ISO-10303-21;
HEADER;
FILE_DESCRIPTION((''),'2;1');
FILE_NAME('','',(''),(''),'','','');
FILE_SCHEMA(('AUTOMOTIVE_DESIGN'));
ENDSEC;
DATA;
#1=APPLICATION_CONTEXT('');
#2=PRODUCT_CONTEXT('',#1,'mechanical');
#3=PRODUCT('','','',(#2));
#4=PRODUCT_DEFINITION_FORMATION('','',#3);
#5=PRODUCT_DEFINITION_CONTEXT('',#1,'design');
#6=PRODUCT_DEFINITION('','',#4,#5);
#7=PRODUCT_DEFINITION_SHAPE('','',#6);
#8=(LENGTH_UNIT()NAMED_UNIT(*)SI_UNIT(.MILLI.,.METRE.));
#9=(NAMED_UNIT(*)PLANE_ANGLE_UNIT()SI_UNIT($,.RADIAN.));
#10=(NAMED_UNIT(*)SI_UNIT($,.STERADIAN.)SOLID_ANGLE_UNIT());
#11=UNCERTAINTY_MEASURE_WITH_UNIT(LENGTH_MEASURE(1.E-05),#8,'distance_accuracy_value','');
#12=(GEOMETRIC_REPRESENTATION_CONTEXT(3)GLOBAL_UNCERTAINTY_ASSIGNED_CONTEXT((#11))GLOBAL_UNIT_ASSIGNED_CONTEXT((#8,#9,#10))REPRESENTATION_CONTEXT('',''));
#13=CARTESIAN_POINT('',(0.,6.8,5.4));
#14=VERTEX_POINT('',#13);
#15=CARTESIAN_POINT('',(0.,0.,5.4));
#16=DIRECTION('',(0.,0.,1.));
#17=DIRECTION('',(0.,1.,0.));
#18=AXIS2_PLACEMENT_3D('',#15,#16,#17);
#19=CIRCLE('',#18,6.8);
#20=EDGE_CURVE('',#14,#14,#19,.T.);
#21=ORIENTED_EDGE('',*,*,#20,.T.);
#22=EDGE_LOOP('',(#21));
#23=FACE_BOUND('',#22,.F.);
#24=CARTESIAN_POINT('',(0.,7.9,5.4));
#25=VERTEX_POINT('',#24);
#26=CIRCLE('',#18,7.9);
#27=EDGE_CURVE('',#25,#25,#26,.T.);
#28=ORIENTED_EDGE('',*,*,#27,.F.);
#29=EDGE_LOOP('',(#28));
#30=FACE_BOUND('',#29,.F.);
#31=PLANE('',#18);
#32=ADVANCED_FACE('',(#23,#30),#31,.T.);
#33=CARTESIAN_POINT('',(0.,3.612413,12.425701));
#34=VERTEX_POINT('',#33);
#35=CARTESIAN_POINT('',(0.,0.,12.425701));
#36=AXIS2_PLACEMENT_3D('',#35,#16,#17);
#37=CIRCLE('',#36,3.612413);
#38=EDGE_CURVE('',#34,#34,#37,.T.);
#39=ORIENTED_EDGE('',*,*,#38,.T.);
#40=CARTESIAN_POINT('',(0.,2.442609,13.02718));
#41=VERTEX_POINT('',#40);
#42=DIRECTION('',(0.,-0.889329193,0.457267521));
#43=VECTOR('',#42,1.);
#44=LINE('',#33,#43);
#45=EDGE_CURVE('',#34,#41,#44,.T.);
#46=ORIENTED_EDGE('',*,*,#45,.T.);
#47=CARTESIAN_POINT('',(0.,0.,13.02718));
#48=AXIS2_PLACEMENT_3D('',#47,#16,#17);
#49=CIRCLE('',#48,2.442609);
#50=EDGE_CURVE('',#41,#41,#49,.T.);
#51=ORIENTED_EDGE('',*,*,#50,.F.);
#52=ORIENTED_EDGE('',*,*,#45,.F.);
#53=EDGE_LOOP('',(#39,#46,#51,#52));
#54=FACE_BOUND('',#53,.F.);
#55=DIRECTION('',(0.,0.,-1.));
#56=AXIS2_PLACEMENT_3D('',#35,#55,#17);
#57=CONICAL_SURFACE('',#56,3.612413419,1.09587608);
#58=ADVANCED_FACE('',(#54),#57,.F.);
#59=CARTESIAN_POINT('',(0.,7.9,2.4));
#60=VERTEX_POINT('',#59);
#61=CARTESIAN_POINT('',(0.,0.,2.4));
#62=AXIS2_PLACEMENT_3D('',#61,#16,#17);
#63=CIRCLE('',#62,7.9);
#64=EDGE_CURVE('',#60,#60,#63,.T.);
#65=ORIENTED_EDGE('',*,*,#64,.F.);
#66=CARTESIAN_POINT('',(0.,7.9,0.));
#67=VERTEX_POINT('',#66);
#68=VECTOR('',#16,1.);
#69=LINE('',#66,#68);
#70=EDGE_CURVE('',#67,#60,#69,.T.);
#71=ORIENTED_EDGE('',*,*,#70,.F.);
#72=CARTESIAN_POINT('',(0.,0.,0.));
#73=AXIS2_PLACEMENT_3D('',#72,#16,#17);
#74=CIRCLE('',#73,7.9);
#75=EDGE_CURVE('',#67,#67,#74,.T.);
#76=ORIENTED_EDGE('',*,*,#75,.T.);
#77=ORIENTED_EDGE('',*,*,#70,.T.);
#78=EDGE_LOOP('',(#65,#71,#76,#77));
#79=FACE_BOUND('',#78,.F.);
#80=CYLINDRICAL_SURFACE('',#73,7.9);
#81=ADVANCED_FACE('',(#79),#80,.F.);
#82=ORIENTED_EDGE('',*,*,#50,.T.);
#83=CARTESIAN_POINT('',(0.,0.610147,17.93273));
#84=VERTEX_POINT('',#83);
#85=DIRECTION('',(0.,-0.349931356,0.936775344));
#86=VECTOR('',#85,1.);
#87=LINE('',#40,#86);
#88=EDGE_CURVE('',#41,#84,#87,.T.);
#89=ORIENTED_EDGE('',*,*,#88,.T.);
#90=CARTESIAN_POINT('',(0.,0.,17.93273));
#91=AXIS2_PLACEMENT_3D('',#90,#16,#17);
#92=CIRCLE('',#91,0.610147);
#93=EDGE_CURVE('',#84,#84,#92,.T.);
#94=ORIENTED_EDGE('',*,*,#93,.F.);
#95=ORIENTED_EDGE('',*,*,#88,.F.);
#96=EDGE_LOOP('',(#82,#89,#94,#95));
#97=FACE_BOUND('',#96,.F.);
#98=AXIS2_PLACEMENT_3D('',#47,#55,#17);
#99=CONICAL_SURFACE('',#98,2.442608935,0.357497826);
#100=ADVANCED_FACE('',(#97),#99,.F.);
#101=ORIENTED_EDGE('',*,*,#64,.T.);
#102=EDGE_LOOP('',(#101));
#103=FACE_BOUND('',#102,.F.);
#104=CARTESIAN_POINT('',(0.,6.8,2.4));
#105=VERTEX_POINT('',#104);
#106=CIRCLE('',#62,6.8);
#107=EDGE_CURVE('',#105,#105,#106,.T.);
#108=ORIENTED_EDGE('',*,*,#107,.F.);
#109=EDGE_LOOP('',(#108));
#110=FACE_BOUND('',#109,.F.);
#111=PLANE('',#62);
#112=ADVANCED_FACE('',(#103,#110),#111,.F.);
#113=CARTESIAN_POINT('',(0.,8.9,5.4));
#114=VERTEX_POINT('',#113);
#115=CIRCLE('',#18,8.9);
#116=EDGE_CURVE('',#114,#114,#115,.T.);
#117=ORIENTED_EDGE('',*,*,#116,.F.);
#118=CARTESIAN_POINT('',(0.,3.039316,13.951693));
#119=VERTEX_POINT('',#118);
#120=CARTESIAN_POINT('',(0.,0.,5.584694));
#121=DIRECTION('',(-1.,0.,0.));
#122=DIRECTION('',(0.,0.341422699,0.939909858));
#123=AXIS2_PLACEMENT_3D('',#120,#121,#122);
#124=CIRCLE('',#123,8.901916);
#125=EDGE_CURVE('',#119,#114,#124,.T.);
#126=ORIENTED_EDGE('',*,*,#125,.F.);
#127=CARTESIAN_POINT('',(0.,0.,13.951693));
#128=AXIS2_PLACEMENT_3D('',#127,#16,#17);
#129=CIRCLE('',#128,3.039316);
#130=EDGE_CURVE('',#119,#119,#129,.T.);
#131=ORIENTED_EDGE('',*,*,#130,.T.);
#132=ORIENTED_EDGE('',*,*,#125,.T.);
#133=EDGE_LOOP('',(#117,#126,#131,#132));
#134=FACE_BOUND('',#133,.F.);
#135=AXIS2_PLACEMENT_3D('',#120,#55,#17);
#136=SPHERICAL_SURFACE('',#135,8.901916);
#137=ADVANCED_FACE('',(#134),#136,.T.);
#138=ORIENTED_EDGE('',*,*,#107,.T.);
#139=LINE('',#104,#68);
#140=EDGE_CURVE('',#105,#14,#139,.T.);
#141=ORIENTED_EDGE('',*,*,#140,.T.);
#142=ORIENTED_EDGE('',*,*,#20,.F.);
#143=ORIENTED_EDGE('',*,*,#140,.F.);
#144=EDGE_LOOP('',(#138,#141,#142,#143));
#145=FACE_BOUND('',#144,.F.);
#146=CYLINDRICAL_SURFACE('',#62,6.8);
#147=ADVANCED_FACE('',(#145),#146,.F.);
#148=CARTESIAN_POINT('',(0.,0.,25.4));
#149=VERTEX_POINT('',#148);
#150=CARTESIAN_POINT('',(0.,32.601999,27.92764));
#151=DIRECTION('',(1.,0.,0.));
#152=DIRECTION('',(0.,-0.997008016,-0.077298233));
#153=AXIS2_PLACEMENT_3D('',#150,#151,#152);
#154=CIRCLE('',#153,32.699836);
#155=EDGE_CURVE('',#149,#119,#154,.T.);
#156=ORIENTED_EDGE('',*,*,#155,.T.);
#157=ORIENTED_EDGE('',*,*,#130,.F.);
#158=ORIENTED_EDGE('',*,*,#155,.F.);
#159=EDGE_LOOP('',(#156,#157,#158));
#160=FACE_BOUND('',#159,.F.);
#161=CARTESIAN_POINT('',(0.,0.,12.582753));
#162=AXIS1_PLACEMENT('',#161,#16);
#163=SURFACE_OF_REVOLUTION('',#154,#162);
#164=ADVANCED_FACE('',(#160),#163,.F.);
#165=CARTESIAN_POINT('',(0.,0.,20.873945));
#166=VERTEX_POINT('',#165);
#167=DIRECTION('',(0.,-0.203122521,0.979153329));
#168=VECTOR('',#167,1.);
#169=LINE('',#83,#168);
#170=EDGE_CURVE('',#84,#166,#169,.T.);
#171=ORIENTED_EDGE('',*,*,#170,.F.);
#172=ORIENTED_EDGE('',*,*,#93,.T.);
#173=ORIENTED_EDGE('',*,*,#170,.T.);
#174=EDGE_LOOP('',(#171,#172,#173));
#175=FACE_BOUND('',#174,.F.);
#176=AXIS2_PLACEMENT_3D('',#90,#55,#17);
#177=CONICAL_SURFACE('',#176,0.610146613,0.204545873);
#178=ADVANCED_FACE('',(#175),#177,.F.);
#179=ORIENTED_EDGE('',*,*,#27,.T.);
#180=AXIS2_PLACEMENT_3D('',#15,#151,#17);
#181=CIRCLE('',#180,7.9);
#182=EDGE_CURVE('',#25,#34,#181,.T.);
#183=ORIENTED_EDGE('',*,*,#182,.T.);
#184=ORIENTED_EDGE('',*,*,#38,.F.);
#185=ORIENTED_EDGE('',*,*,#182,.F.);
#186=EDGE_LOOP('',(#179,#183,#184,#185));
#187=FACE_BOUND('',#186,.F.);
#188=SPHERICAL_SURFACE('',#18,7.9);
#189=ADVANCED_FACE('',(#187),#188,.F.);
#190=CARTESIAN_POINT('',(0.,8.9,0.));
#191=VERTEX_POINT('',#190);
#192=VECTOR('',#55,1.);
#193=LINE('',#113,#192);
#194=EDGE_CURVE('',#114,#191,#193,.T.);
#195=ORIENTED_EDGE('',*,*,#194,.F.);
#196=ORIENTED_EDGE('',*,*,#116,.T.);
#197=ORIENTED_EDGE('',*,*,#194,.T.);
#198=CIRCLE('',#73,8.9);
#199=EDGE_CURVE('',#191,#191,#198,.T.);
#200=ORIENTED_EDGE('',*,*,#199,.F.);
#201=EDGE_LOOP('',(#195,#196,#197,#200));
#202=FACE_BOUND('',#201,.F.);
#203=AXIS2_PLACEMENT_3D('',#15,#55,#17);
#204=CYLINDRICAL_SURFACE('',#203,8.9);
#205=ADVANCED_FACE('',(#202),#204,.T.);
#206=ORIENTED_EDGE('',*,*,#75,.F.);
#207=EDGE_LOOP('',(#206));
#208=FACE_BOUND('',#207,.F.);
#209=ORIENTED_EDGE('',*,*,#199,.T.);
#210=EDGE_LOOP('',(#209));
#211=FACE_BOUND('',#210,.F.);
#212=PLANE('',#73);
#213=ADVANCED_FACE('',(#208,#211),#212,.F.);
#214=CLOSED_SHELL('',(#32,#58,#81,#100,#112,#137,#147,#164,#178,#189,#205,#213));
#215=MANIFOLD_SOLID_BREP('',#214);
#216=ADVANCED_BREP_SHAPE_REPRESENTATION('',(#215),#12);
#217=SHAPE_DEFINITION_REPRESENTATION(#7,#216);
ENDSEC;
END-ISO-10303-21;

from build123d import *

# Parameters (mm, degrees)
F3_ANGLE = 90


with BuildPart() as f1:
    # F0 (on Top) → F1 (revolve)
    with BuildSketch(Plane.XY):
        with BuildLine():
            Line((0, 8.9), (0, 7.9))
            Line((0, 7.9), (2.4, 7.9))
            Line((2.4, 7.9), (2.4, 6.8))
            Line((2.4, 6.8), (5.4, 6.8))
            Line((5.4, 6.8), (5.4, 7.9))
            ThreePointArc((5.4, 7.9), (9.5153331571, 6.7434437053), (12.4257006262, 3.6124134192))
            Line((12.4257006262, 3.6124134192), (13.0271804842, 2.4426089354))
            Line((13.0271804842, 2.4426089354), (17.9327297956, 0.6101466133))
            Line((17.9327297956, 0.6101466133), (20.8739452064, 0))
            Line((20.8739452064, 0), (25.4, 0))
            ThreePointArc((25.4, 0), (19.537082279, 0.996970145), (13.951692761, 3.0393162482))
            ThreePointArc((13.951692761, 3.0393162482), (10.617032549, 7.3430021373), (5.4, 8.9))
            Line((5.4, 8.9), (0, 8.9))
        make_face()
    revolve(axis=Axis((12.5827532146, 0, 0), (1, 0, 0)))


with BuildPart() as f1_1:
    # F3: moved
    add(f1.part.rotate(Axis((0, 0, 0), (0, -1, 0)), F3_ANGLE))


solid = f1_1.part
